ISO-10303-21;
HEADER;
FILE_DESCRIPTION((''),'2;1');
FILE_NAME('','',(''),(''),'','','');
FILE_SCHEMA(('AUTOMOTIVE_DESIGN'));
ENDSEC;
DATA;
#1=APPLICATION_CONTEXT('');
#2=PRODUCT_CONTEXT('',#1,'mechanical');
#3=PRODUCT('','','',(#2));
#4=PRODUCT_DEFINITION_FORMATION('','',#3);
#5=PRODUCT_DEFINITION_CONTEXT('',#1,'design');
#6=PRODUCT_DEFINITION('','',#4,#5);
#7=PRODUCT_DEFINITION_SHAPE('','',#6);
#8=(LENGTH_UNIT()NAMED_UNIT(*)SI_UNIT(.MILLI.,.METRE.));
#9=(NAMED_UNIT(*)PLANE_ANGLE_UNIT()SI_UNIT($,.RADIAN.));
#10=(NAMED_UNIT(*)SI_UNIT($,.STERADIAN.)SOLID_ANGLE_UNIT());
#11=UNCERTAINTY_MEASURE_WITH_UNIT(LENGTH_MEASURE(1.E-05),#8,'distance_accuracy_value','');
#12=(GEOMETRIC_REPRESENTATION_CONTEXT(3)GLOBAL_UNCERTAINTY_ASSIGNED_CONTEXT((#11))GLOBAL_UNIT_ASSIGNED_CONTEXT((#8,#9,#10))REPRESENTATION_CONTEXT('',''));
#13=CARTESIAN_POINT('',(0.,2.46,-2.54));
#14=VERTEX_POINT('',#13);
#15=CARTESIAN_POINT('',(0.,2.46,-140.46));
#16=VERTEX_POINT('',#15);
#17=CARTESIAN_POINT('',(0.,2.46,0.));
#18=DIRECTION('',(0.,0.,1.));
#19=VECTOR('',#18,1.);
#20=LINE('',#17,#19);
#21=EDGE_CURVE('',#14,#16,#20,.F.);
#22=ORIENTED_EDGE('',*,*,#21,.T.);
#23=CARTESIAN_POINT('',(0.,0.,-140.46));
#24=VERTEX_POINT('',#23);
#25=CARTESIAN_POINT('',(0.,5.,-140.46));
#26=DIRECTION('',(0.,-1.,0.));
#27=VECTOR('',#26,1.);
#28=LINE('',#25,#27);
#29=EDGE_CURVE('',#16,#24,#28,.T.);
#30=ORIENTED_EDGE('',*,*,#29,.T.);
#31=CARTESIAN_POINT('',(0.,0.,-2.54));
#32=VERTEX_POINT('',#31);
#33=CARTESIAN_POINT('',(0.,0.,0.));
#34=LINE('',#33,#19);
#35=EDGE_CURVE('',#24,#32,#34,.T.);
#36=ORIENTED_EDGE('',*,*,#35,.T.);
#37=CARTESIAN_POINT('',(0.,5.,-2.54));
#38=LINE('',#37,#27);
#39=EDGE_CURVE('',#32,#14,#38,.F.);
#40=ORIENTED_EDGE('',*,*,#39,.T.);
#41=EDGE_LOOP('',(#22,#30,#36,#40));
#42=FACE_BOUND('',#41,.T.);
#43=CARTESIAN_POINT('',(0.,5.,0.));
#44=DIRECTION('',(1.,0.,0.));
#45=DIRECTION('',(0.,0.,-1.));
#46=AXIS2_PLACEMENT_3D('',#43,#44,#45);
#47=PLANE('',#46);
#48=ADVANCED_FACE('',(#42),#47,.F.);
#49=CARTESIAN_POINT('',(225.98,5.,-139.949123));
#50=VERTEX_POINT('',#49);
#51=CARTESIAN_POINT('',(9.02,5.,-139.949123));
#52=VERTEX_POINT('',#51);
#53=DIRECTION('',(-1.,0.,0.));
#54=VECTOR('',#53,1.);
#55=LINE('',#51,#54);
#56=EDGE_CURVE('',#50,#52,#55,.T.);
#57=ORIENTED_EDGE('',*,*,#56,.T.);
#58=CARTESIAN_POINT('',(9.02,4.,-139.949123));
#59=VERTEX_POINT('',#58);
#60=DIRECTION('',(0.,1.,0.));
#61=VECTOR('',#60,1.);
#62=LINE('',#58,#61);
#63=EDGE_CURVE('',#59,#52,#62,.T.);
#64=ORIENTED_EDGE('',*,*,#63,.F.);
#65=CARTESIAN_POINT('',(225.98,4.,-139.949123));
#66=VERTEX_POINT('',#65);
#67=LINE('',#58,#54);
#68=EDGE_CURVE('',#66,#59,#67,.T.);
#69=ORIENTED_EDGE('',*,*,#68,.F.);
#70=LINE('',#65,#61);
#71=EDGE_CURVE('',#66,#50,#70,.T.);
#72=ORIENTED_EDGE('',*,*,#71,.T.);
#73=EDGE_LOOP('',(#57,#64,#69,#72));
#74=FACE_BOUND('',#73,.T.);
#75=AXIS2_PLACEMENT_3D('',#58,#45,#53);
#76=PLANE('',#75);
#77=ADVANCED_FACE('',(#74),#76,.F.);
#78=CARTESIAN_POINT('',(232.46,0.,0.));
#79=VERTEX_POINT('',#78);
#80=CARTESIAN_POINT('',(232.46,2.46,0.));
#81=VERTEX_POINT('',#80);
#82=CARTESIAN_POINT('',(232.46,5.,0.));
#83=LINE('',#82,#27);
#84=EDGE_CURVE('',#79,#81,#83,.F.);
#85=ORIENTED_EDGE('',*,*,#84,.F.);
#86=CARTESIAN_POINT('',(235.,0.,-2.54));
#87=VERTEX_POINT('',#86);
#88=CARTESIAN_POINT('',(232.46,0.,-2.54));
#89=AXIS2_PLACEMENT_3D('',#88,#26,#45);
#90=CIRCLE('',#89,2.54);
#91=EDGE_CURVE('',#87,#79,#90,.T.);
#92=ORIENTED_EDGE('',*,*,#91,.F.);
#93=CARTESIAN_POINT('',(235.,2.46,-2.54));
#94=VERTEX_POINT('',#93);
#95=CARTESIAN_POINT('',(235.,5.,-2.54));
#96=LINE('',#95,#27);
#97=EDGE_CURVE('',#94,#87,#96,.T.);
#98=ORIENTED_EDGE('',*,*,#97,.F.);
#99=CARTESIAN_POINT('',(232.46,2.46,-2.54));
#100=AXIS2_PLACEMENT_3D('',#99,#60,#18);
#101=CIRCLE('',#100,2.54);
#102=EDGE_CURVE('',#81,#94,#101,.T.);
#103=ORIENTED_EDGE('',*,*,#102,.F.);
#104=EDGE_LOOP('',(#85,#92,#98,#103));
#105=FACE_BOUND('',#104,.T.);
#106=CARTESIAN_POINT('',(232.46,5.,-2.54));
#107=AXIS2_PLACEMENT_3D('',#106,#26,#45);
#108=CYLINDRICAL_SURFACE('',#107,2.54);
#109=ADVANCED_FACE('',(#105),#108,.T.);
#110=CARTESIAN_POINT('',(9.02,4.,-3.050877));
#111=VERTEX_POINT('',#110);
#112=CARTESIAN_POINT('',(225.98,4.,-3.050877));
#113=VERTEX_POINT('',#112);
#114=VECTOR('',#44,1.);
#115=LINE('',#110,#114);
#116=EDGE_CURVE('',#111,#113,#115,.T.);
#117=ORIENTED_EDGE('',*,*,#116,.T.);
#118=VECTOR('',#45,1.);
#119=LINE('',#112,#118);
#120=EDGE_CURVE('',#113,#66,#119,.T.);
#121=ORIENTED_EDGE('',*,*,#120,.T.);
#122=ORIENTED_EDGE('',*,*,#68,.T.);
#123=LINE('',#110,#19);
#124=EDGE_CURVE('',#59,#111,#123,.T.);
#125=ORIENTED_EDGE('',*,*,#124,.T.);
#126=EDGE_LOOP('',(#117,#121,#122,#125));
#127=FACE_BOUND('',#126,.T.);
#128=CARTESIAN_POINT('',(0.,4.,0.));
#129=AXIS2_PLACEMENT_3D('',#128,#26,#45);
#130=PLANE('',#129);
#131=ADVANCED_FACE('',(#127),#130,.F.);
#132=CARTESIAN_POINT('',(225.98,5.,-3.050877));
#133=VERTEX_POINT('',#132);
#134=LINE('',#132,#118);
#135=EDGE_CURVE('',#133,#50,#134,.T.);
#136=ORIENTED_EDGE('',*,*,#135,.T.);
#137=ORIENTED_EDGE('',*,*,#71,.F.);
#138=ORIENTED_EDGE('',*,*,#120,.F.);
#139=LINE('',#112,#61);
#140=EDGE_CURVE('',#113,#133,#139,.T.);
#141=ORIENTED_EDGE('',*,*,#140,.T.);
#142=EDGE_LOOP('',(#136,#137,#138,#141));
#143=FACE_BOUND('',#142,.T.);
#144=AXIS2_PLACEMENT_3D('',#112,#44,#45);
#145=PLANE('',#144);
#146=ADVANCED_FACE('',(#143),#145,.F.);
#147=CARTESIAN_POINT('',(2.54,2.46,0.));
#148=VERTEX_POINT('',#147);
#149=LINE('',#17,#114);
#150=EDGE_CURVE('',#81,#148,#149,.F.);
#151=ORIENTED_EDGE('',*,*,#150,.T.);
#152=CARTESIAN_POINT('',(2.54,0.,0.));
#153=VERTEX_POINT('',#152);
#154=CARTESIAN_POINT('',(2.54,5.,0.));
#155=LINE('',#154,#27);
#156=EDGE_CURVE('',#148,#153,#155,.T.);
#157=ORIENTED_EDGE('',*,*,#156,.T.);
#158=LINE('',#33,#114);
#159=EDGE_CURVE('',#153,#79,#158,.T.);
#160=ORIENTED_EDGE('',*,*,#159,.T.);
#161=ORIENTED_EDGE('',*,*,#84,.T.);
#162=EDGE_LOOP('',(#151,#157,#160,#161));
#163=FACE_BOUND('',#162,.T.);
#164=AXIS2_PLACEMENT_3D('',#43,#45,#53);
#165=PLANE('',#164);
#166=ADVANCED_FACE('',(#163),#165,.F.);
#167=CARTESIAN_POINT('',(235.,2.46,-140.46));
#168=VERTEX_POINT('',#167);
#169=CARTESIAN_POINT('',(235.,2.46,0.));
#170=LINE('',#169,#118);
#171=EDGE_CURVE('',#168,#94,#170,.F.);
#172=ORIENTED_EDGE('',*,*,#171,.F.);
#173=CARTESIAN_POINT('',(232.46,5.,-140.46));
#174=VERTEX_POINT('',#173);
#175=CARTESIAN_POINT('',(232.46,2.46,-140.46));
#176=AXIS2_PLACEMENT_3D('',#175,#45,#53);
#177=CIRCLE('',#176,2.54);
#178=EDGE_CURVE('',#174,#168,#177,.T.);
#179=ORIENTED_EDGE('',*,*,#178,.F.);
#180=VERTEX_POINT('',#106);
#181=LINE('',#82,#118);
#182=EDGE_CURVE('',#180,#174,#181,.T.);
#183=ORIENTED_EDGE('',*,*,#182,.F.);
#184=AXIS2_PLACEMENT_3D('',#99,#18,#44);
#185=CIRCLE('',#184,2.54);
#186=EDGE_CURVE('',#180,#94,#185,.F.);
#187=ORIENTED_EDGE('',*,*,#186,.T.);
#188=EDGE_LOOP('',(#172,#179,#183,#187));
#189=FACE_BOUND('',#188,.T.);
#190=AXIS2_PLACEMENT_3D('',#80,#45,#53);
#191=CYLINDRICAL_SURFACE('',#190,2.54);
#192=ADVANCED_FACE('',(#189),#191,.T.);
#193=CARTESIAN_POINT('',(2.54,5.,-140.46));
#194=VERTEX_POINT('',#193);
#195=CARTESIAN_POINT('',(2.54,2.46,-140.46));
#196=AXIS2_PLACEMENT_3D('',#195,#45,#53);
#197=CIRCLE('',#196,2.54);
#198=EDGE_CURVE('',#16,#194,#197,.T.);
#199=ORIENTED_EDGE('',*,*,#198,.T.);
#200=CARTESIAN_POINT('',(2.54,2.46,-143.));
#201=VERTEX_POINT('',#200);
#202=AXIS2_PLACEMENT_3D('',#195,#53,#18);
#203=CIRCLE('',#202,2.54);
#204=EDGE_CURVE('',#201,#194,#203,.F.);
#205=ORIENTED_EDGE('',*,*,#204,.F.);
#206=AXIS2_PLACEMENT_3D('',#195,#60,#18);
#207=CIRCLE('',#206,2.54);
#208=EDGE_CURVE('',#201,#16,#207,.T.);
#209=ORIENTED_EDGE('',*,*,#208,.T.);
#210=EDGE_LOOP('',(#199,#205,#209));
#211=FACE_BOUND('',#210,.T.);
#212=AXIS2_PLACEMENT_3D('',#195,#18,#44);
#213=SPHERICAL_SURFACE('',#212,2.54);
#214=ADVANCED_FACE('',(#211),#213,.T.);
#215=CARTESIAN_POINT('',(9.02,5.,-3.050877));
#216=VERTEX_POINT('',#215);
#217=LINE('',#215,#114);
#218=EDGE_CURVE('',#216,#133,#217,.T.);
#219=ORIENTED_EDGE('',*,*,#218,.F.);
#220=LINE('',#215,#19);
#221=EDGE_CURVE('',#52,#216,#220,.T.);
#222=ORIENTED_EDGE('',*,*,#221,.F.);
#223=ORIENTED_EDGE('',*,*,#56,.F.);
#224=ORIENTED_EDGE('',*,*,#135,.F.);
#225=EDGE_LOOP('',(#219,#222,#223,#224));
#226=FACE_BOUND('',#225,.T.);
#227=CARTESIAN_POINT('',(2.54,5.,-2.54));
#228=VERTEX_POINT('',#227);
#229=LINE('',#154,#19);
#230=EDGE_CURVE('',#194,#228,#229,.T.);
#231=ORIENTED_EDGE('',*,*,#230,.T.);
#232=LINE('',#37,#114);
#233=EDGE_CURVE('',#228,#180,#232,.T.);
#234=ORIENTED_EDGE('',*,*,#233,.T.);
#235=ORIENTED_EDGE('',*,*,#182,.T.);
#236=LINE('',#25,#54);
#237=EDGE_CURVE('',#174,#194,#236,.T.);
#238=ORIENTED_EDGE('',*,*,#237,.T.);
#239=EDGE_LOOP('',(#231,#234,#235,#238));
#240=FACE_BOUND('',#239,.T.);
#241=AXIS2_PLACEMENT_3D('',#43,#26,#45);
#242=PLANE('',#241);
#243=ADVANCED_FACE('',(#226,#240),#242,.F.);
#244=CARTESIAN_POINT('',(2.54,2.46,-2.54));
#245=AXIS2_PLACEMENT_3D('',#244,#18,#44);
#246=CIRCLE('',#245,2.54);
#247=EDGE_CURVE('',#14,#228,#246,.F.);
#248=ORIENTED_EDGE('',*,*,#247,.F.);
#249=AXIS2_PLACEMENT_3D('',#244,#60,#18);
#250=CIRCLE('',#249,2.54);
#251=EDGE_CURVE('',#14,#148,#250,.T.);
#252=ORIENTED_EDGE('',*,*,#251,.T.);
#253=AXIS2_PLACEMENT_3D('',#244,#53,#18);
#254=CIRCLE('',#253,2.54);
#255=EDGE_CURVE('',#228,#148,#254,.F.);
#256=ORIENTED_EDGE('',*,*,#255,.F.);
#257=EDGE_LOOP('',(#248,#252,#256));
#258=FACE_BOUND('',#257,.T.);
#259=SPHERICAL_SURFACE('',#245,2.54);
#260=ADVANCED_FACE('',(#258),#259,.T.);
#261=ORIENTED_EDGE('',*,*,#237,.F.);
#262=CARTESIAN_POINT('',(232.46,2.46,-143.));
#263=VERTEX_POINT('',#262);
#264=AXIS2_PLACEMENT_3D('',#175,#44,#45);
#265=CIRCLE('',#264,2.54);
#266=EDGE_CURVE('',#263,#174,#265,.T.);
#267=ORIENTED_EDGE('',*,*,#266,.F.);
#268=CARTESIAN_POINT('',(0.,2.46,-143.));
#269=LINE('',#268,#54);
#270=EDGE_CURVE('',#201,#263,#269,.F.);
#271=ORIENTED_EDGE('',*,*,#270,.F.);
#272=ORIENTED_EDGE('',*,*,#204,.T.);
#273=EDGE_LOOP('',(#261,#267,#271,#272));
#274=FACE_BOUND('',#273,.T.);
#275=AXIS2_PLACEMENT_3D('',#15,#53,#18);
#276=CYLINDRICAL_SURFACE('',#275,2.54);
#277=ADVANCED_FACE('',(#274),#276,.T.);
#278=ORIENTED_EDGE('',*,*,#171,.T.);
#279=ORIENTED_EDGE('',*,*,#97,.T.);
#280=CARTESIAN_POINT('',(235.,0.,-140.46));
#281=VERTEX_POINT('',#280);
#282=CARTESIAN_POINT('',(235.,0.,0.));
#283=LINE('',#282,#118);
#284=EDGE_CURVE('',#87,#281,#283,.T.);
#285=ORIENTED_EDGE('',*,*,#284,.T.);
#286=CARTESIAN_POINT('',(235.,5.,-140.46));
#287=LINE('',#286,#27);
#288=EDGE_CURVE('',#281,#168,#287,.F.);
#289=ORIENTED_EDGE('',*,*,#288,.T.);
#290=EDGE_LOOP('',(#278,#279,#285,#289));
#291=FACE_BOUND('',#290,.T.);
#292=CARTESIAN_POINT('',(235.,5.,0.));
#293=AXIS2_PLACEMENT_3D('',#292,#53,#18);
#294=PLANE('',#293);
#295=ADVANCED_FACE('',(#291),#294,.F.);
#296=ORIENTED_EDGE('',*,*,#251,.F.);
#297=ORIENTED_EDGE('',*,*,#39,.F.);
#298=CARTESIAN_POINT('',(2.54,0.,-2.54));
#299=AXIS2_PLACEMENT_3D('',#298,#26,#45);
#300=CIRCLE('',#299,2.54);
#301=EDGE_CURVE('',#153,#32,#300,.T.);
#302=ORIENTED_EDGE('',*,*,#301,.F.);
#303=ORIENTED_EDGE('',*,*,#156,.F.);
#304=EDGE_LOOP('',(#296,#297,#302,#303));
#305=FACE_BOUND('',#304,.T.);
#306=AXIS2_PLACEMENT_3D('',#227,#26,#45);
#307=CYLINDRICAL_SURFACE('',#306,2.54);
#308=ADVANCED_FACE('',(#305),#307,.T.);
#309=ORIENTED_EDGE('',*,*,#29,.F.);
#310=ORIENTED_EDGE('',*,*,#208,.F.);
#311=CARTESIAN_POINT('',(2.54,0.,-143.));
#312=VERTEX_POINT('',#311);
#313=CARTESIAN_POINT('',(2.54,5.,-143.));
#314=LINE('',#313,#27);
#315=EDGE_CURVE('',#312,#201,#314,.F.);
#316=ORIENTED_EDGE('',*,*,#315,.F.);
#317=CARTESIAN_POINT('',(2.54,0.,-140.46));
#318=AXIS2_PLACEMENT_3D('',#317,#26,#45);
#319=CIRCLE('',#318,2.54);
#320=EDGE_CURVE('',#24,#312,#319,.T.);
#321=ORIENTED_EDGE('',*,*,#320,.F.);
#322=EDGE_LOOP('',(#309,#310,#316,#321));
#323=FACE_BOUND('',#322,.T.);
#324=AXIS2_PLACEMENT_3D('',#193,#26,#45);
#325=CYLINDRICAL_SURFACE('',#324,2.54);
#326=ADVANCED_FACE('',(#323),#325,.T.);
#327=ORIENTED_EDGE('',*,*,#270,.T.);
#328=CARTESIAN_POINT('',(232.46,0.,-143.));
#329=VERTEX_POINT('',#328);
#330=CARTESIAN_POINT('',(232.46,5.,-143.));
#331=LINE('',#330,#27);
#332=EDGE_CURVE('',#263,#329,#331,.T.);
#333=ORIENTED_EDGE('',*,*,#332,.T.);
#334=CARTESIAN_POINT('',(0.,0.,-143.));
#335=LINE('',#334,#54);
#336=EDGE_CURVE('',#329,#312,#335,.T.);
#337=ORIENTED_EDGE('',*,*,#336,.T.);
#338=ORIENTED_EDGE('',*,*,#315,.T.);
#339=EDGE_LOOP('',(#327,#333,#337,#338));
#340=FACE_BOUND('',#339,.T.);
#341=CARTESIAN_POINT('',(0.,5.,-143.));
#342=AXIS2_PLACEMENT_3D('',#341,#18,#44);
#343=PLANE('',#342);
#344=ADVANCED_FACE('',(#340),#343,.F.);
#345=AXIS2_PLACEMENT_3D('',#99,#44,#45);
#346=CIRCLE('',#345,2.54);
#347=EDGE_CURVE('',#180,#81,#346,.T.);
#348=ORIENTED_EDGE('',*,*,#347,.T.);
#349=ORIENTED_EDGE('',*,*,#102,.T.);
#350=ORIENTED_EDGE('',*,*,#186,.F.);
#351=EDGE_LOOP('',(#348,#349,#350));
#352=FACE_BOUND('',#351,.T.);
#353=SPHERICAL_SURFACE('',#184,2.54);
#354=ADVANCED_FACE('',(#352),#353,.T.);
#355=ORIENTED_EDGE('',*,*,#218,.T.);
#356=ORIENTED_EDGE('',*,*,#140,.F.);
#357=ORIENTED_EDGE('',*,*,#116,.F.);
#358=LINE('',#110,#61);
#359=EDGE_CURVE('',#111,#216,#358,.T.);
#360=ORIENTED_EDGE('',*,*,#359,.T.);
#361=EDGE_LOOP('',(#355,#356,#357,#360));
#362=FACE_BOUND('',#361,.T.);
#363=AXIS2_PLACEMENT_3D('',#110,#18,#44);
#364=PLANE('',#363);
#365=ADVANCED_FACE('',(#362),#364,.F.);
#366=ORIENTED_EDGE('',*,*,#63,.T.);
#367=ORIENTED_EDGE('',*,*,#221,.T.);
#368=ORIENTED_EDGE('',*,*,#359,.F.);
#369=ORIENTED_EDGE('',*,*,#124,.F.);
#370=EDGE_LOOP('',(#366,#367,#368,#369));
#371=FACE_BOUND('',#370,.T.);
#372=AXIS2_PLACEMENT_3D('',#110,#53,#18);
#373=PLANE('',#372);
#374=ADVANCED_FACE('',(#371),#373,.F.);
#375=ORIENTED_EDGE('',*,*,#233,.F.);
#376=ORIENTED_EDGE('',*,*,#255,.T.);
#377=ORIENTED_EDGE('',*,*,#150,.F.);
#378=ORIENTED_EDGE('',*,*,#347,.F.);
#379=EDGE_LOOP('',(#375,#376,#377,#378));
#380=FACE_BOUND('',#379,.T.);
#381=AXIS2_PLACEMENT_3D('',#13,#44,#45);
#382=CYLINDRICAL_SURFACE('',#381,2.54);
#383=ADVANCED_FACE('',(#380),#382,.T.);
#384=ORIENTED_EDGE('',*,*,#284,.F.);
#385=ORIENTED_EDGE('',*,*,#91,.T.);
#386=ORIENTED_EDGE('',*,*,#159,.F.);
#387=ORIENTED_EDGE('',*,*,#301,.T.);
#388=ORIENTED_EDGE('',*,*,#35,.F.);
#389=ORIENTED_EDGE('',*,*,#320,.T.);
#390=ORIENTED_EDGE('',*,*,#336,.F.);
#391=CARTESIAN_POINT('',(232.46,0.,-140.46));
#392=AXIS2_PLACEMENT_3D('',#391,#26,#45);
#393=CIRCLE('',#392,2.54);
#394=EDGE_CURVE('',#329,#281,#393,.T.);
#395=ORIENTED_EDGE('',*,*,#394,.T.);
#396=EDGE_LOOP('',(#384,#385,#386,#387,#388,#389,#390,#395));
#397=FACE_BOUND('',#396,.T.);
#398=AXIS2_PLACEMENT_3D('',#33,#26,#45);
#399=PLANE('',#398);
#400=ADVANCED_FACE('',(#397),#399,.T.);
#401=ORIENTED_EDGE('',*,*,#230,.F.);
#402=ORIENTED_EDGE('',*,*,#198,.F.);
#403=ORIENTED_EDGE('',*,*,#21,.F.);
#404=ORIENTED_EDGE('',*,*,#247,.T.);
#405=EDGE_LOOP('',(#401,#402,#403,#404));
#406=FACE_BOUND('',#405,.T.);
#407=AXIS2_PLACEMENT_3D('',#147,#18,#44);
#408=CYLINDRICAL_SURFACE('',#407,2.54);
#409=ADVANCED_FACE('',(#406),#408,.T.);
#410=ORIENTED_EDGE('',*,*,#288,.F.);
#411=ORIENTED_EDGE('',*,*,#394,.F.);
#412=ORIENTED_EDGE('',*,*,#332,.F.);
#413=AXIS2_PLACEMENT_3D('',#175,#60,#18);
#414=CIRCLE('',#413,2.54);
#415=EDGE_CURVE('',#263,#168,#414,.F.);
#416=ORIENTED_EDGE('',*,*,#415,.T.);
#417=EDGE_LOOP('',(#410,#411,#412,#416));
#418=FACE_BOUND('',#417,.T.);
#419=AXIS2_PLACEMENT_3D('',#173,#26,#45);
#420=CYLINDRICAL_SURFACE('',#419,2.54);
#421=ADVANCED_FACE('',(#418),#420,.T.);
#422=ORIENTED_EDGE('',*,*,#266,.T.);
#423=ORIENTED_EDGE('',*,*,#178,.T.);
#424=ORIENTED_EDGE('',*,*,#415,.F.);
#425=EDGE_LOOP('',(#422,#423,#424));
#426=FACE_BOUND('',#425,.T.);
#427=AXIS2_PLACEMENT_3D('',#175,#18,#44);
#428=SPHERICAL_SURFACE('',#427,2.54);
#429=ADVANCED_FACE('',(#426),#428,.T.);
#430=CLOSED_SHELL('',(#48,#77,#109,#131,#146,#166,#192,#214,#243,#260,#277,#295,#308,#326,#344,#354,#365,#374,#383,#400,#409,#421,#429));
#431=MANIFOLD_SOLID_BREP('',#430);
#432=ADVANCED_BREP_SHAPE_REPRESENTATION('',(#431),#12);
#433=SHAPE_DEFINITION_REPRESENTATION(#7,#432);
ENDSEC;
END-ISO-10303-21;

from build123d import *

# Parameters (mm, degrees)
SKETCH1_W           = 235
SKETCH1_H           = 143
BOSS_EXTRUDE1_DEPTH = 5
SKETCH2_W           = 216.96
SKETCH2_H           = 136.898246884
CUT_EXTRUDE1_DEPTH  = 1
FILLET1_R           = 2.54


with BuildPart() as part:
    # Sketch1 → Boss-Extrude1 (new body)
    with BuildSketch(Plane(origin=(0, 0, 0), x_dir=(1, 0, 0), z_dir=(0, 1, 0))):
        with Locations((117.5, 71.5)):
            Rectangle(SKETCH1_W, SKETCH1_H)
    extrude(amount=BOSS_EXTRUDE1_DEPTH)

    # Sketch2 → Cut-Extrude1 (cut)
    with BuildSketch(Plane(origin=(0, 5, 0), x_dir=(1, 0, 0), z_dir=(0, 1, 0))):
        with Locations((117.5, 71.5)):
            Rectangle(SKETCH2_W, SKETCH2_H)
    extrude(amount=-CUT_EXTRUDE1_DEPTH, mode=Mode.SUBTRACT)

    # Fillet1
    fillet1_edges = [part.edges().sort_by_distance(p)[0] for p in [
        (235, 5, -71.5),
        (117.5, 5, -143),
        (0, 5, -71.5),
        (0, 2.5, -143),
        (235, 2.5, -143),
        (235, 2.5, 0),
        (0, 2.5, 0),
        (117.5, 5, 0),
    ]]
    fillet(fillet1_edges, radius=FILLET1_R)


solid = part.part
